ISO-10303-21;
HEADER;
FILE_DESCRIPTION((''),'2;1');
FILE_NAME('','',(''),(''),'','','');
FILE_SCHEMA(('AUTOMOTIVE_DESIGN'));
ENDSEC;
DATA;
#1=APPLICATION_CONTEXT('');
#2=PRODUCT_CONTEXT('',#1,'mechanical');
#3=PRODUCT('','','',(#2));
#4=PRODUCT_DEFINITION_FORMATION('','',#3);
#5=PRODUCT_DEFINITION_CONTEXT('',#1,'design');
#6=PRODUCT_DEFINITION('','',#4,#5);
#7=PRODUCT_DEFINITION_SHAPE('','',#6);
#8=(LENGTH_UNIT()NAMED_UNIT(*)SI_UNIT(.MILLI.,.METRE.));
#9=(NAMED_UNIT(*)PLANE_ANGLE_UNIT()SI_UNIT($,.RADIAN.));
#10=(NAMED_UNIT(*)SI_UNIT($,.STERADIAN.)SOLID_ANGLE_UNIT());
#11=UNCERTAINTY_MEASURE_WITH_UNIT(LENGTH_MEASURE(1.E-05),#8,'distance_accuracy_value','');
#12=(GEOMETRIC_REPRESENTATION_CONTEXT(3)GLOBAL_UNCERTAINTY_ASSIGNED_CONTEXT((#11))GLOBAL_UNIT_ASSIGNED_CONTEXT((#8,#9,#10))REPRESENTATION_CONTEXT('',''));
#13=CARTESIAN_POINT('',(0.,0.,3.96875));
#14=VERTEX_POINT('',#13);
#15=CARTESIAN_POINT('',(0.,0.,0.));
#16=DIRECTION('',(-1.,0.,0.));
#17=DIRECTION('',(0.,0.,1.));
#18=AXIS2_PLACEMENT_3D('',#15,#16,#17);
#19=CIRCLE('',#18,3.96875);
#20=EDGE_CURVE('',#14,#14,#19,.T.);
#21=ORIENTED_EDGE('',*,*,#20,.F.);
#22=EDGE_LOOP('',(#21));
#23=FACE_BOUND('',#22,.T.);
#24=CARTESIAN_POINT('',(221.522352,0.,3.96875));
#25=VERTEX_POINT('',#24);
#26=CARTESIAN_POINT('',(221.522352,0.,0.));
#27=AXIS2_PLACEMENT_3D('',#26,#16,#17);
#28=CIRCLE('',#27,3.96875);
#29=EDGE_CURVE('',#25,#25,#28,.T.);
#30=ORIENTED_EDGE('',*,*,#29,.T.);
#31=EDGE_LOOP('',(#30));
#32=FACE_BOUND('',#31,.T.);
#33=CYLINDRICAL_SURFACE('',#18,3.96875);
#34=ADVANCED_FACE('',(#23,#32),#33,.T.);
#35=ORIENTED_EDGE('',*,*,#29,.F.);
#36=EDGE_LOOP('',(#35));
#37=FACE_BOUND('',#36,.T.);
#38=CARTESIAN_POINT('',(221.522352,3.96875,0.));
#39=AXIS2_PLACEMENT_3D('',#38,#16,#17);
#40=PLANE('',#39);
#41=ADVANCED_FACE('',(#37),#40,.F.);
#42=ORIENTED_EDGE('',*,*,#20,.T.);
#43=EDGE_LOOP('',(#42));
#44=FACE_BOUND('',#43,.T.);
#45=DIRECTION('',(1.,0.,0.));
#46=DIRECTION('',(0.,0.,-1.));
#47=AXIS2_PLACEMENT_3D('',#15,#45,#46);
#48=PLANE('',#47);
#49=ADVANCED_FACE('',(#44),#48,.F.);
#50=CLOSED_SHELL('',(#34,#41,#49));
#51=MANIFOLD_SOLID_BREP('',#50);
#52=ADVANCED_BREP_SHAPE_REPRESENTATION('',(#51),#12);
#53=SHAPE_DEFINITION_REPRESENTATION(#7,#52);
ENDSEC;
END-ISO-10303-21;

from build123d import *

# Parameters (mm, degrees)
SKETCH2_W = 221.522352046
SKETCH2_H = 3.96875


with BuildPart() as part:
    # Sketch2 → Revolve1 (revolve)
    with BuildSketch(Plane.XY, mode=Mode.PRIVATE) as revolve1_sk:
        with Locations((110.761176023, 1.984375)):
            Rectangle(SKETCH2_W, SKETCH2_H)
    revolve(revolve1_sk.sketch.rotate(Axis((0, 0, 0), (1, 0, 0)), 90), axis=Axis((0, 0, 0), (1, 0, 0)))


solid = part.part
